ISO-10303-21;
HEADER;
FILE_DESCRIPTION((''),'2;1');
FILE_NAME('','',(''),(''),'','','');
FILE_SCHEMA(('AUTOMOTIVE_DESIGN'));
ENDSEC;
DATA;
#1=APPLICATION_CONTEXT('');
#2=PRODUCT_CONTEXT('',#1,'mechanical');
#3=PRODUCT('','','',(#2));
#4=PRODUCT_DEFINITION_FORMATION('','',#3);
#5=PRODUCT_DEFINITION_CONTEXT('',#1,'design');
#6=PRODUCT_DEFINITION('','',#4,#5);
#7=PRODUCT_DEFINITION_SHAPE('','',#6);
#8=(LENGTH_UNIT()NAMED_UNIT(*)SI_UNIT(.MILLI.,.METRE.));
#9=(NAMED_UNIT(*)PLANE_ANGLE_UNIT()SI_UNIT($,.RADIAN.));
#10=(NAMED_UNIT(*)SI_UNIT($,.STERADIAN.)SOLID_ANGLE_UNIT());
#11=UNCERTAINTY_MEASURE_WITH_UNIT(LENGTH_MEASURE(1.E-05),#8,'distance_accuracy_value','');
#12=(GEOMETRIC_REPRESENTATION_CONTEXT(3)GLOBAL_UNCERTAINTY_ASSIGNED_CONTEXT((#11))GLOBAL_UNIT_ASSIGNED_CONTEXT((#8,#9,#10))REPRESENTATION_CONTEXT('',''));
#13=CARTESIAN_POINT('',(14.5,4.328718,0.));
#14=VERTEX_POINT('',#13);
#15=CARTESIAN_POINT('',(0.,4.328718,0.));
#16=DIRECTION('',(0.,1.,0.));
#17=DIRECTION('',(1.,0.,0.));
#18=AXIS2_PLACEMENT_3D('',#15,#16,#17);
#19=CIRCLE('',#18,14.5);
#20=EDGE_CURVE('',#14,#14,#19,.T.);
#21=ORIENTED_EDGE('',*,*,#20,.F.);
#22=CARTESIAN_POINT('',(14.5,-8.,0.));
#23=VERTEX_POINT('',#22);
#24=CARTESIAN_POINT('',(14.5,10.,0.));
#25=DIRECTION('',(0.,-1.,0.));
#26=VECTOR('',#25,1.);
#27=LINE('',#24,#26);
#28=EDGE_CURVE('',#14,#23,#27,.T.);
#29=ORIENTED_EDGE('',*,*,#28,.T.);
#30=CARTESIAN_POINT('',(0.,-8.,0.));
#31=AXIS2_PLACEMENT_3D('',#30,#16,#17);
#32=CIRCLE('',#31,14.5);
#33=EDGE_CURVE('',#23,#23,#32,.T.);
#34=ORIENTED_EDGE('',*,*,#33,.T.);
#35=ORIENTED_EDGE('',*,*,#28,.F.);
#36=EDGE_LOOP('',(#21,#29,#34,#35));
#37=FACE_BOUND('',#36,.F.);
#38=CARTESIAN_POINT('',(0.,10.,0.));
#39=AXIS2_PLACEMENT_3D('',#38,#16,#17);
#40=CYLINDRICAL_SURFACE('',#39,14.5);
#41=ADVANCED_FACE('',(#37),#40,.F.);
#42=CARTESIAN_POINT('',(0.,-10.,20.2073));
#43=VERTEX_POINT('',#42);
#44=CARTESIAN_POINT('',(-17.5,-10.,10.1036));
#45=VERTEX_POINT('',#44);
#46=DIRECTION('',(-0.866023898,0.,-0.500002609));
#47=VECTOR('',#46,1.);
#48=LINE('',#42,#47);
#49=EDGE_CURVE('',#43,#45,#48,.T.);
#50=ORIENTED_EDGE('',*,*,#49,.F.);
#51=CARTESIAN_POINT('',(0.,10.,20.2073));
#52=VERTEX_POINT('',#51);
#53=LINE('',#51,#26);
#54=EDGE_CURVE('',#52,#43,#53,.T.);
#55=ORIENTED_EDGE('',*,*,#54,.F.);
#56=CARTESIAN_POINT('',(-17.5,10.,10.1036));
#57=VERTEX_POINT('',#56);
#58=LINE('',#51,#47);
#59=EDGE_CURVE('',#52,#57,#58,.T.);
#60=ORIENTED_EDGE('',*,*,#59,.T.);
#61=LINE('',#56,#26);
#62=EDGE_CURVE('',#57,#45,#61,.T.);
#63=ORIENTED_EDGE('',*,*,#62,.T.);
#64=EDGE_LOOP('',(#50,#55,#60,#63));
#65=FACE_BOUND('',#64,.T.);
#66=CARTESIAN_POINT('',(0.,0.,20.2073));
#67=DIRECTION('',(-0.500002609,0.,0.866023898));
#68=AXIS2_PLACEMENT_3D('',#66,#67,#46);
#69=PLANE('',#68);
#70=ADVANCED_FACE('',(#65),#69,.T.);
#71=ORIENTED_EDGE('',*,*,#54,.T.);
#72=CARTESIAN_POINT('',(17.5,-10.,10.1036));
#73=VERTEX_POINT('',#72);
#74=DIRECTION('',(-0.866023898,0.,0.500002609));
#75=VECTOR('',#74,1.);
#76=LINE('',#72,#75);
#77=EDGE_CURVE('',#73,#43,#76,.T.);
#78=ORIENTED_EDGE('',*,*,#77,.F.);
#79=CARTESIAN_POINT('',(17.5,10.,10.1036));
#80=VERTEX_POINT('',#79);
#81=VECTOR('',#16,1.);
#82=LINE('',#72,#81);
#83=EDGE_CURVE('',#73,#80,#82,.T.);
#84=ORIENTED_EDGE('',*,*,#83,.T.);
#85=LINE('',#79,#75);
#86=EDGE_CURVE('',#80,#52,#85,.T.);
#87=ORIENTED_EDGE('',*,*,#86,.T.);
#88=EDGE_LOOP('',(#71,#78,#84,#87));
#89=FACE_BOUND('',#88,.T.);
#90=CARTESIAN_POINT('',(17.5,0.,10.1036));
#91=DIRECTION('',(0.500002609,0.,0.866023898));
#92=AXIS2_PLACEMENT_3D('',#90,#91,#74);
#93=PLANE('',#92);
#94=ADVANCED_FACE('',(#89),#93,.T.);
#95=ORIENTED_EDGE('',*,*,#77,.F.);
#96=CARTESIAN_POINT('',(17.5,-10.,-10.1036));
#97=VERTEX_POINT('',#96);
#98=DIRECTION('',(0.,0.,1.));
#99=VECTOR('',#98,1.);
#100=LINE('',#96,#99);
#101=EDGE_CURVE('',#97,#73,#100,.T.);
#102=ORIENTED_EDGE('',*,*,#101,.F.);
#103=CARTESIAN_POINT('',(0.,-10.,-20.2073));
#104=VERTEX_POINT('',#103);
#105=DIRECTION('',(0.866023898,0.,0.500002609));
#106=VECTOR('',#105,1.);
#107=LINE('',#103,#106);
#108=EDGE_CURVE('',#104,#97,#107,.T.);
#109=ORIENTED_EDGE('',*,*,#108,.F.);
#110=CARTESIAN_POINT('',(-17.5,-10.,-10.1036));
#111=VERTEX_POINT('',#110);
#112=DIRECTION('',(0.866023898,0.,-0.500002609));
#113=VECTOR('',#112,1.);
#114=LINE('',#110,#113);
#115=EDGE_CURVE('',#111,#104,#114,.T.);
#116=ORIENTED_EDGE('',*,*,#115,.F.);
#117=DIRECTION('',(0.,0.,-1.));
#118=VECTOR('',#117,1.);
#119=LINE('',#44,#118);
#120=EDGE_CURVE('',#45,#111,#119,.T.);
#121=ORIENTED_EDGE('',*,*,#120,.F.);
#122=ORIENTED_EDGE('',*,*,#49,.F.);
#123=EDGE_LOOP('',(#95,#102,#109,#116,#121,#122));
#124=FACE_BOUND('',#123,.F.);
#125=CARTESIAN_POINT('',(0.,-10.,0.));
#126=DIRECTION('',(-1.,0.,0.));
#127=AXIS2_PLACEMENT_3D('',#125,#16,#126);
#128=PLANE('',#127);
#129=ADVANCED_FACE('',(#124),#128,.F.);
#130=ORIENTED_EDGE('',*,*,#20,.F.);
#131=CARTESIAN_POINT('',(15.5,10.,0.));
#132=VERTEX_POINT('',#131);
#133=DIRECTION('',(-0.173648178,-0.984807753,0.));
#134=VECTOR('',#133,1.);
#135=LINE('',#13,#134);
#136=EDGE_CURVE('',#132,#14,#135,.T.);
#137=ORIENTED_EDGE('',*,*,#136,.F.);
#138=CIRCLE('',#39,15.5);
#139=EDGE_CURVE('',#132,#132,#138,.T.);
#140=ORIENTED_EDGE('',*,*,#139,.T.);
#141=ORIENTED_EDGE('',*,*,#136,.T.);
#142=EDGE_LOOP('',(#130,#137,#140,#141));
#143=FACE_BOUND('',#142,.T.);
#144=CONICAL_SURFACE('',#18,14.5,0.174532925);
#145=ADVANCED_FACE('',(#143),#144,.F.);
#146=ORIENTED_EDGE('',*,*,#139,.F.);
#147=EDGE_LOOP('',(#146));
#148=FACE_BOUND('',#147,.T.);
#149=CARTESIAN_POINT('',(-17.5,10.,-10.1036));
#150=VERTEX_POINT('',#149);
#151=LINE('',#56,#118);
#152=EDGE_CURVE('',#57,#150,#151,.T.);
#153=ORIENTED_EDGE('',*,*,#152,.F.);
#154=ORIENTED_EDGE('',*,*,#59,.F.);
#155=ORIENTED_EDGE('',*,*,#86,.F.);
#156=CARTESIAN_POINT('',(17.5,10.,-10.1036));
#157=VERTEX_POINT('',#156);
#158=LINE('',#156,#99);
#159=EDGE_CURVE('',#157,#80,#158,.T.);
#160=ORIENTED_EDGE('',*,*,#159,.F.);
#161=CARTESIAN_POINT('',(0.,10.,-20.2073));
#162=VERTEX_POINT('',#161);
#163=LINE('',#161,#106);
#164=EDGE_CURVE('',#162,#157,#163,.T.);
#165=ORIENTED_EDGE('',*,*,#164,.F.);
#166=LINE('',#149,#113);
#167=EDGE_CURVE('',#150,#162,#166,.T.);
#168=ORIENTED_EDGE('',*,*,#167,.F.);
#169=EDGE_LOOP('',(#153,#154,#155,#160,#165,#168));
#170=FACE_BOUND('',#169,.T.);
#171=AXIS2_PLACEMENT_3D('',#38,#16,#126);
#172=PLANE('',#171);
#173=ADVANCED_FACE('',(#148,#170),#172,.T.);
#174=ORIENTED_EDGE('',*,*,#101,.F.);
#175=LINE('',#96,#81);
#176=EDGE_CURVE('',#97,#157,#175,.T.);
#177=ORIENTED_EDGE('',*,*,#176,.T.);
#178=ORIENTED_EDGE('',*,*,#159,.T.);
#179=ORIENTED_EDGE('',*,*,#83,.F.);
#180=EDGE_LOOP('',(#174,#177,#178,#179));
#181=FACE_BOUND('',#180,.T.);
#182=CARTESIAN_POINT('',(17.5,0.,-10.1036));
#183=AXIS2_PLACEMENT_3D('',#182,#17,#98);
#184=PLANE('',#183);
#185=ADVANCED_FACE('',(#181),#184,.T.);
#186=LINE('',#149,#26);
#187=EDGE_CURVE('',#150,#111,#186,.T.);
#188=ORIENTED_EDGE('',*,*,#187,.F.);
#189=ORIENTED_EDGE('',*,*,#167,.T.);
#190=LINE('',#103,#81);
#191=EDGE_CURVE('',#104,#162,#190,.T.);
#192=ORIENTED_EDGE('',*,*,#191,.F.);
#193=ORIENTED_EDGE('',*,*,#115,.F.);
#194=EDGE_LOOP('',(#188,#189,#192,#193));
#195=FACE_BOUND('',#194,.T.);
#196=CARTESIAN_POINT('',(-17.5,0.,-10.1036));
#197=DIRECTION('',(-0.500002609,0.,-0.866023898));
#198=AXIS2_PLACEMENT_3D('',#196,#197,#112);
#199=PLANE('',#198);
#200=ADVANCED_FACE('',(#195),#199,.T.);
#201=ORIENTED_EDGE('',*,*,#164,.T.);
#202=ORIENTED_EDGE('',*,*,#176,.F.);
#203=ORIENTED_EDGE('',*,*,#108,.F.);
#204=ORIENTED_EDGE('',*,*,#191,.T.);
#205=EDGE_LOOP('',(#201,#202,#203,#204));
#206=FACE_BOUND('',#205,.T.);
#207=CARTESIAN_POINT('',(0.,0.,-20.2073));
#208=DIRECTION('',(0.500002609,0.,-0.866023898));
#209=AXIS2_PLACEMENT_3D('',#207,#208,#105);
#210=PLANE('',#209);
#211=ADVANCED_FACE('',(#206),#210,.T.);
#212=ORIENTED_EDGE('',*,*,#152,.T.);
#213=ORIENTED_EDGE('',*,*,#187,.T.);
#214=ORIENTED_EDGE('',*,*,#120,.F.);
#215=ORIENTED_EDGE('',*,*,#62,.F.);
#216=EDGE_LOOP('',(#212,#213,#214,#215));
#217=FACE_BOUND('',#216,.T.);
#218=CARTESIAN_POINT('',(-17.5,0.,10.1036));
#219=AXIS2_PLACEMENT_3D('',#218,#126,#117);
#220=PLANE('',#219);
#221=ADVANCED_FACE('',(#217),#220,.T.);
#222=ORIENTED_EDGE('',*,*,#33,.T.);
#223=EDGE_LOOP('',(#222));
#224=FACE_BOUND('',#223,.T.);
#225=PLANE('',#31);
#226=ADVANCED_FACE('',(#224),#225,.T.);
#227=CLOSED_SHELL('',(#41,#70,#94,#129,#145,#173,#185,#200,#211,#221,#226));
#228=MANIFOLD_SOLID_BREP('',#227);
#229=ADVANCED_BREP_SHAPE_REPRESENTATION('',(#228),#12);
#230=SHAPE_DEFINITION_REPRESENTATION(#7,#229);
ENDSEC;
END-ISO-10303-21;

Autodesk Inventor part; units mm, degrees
ref_plane "YZ Plane" through (0, 0, 0) normal (1, 0, 0) x (0, 1, 0)
ref_plane "XZ Plane" through (0, 0, 0) normal (0, 1, 0) x (-1, 0, 0)
ref_plane "XY Plane" through (0, 0, 0) normal (0, 0, 1) x (1, 0, 0)
sketch "Sketch1" plane through (0, 0, 0) normal (0, 1, 0) x (-1, 0, 0)
  line L0 (-17.5, 10.1036) -> (0, 20.2073)
  line L1 (0, 20.2073) -> (17.5, 10.1036)
  line L2 (17.5, 10.1036) -> (17.5, -10.1036)
  line L3 (17.5, -10.1036) -> (0, -20.2073)
  line L4 (0, -20.2073) -> (-17.5, -10.1036)
  line L5 (-17.5, -10.1036) -> (-17.5, 10.1036)
  point P0 (0, 0)
  point P1 (0, 0)
  dimension "d0" = 35
extrude "Extrusion1" add sketch "Sketch1" along normal mid plane 20
sketch "Sketch2" plane through (0, 10, 0) normal (0, 1, 0) x (1, 0, 0)
  circle A0 centre (0, 0) radius 14.5
  dimension "d3" = 29
extrude "Extrusion2" cut sketch "Sketch2" against normal blind 18
chamfer "Chamfer1" distance 1 angle 80 1 edges at (-14.5, 10, 0) measured on face at (-8.579, 10, 14.0814)
